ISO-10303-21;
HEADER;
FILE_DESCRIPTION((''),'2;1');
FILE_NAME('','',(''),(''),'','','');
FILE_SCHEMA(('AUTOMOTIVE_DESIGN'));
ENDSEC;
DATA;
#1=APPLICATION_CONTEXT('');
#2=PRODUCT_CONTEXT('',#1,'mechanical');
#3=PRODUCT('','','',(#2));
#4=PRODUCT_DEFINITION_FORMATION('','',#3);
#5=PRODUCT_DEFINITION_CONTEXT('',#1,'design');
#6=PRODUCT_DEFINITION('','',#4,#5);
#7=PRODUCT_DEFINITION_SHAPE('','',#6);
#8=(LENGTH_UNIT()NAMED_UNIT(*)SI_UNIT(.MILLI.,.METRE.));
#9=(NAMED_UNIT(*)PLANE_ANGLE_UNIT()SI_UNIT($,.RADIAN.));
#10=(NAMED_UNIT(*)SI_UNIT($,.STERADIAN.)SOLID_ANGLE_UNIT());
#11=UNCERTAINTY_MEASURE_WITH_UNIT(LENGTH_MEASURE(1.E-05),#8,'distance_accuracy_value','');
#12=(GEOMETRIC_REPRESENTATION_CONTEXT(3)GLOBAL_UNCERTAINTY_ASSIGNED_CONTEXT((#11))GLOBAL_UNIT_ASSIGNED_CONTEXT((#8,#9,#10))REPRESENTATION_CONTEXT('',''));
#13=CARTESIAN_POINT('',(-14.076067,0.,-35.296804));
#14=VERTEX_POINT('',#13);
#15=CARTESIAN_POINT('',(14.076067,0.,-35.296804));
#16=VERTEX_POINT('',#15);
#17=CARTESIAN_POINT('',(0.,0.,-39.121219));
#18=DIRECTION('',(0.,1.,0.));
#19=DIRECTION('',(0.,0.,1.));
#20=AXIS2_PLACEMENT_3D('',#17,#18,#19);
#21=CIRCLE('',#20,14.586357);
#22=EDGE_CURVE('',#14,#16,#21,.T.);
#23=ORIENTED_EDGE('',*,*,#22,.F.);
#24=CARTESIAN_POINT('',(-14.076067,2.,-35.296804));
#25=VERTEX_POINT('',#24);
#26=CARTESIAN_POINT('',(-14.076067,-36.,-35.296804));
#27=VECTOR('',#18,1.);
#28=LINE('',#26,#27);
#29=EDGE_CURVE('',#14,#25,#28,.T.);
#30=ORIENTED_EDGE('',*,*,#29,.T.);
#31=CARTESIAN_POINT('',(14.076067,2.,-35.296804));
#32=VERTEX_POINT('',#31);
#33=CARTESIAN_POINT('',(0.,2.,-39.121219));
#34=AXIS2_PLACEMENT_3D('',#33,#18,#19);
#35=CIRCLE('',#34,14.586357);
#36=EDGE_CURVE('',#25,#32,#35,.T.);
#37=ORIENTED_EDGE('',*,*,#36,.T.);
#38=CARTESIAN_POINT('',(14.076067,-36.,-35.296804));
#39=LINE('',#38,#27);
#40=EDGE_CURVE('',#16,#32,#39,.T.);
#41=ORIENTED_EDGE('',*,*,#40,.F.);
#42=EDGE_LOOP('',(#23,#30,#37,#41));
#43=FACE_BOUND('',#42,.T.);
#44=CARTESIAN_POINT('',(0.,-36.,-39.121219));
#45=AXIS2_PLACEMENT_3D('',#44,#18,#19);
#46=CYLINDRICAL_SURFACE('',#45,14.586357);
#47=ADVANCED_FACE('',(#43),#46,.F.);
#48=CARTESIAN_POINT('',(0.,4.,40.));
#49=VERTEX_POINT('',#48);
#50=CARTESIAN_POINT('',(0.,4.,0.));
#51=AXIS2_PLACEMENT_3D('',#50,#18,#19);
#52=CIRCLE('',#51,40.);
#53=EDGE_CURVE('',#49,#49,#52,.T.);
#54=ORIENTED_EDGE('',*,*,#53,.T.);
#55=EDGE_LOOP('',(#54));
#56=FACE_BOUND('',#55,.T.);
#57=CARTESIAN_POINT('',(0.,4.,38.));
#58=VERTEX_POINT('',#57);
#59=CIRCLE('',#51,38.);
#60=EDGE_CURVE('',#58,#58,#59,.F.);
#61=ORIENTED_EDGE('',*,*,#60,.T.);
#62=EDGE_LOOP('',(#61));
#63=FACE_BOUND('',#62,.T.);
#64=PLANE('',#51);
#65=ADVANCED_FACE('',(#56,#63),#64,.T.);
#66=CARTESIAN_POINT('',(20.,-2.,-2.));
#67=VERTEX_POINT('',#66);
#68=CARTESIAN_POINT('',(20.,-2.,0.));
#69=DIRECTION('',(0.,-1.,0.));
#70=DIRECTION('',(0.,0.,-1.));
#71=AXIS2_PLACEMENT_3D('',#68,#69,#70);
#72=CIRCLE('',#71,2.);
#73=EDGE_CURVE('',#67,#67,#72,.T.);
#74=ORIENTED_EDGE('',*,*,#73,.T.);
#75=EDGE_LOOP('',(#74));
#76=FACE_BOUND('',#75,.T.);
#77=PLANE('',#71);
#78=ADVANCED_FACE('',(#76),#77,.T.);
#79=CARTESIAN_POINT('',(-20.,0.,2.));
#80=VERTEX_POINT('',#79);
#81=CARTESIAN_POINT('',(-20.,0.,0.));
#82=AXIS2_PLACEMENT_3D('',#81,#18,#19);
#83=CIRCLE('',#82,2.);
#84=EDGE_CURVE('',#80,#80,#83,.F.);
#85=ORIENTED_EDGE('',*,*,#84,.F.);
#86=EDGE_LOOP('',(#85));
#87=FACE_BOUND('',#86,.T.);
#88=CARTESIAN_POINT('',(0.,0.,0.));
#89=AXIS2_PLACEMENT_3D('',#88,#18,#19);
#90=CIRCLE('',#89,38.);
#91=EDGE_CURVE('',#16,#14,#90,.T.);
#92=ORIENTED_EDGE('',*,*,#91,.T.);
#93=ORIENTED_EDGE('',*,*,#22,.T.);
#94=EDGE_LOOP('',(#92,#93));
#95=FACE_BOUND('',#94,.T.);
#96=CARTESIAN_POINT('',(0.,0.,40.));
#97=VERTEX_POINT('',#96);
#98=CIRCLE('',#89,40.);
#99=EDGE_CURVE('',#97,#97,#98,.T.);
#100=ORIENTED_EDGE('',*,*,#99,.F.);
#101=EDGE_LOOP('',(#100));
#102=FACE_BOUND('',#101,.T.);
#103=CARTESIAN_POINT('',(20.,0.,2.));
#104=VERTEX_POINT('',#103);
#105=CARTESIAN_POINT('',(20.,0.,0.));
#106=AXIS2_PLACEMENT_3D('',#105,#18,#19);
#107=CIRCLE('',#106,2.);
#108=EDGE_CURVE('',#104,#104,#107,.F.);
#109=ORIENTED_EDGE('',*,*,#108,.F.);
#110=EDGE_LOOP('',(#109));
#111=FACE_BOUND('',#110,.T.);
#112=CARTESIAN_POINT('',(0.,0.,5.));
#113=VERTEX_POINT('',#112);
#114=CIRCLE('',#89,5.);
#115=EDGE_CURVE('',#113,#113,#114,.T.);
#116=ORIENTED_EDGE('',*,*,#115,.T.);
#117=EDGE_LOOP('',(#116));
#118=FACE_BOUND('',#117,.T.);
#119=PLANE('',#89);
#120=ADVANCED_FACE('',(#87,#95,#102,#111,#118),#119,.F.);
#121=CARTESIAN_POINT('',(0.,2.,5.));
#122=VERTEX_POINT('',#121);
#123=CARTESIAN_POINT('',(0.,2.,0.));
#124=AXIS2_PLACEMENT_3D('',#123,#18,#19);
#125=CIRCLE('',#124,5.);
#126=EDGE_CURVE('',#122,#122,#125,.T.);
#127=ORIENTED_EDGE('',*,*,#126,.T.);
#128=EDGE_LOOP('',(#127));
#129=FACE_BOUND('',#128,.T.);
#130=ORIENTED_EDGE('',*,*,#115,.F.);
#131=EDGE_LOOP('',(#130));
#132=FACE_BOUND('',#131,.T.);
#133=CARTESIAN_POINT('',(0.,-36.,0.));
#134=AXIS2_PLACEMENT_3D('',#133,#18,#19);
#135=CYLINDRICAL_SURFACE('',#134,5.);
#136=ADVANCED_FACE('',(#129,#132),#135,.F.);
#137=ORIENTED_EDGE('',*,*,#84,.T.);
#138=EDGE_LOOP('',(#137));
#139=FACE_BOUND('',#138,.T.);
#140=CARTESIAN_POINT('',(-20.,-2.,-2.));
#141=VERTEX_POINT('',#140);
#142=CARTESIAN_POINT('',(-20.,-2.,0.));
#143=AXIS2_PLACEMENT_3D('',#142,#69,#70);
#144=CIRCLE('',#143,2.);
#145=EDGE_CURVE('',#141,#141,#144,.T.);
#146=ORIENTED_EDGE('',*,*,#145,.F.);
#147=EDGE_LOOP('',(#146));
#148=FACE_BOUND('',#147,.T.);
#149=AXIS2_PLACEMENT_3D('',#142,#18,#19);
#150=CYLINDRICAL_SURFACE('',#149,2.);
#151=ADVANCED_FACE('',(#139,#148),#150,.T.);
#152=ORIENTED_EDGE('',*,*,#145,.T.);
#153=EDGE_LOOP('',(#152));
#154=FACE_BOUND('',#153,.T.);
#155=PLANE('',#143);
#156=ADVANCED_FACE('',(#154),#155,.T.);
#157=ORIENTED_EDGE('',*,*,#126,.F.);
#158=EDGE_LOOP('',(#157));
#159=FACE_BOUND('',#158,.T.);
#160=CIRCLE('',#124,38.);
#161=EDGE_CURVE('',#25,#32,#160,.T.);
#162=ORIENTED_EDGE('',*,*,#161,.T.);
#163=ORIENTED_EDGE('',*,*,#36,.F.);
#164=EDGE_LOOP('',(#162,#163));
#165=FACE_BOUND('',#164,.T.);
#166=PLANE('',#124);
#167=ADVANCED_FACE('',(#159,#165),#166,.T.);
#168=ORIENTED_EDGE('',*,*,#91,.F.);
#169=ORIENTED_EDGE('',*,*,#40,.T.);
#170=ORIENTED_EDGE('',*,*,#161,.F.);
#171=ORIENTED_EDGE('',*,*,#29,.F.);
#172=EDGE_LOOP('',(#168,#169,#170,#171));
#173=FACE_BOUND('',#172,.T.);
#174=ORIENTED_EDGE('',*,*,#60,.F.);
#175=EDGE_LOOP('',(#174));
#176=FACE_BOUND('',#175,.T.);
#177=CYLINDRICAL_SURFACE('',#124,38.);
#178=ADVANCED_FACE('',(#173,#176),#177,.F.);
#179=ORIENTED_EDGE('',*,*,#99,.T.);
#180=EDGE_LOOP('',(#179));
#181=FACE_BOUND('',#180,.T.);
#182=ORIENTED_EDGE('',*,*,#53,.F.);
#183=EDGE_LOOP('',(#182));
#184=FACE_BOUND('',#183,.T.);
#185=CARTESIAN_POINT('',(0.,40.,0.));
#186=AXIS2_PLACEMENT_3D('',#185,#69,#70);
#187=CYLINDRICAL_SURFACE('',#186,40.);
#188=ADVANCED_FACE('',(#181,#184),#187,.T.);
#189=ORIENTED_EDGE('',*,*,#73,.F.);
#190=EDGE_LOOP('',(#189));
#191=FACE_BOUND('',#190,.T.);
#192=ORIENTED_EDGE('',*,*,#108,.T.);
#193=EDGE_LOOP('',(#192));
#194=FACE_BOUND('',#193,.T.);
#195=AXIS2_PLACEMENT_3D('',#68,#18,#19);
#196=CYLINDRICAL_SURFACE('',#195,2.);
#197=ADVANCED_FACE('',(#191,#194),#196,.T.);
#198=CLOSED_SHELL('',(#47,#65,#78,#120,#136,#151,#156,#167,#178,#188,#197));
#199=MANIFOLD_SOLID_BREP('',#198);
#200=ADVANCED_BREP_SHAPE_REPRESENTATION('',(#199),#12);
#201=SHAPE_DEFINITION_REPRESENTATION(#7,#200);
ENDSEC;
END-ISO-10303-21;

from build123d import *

# Parameters (mm, degrees)
SKETCH1_R           = 40
BOSS_EXTRUDE1_DEPTH = 40
SKETCH2_R           = 38
CUT_EXTRUDE1_DEPTH  = 38
CUT_EXTRUDE2_DEPTH  = 38
SKETCH4_R           = 5
CUT_EXTRUDE3_DEPTH  = 38
SKETCH6_R           = 2
BOSS_EXTRUDE2_DEPTH = 2
SKETCH8_R           = 43.496918112
CUT_EXTRUDE4_DEPTH  = 36


with BuildPart() as part:
    # Sketch1 → Boss-Extrude1 (new body)
    with BuildSketch(Plane(origin=(0, 0, 0), x_dir=(1, 0, 0), z_dir=(0, 1, 0))):
        with Locations(Location((0, 0, 0), (0, 0, 270))):
            Circle(SKETCH1_R)
    extrude(amount=BOSS_EXTRUDE1_DEPTH)

    # Sketch2 → Cut-Extrude1 (cut)
    with BuildSketch(Plane(origin=(0, 40, 0), x_dir=(1, 0, 0), z_dir=(0, 1, 0))):
        with Locations(Location((0, 0, 0), (0, 0, 270))):
            Circle(SKETCH2_R)
    extrude(amount=-CUT_EXTRUDE1_DEPTH, mode=Mode.SUBTRACT)

    # Sketch3 → Cut-Extrude2 (cut)
    with BuildSketch(Plane(origin=(0, 2, 0), x_dir=(1, 0, 0), z_dir=(0, 1, 0))):
        with BuildLine():
            ThreePointArc((-14.076066703, 35.296803626), (0, 24.534862453), (14.076066703, 35.296803626))
            ThreePointArc((14.076066703, 35.296803626), (0, 38), (-14.076066703, 35.296803626))
        make_face()
    extrude(amount=-CUT_EXTRUDE2_DEPTH, mode=Mode.SUBTRACT)

    # Sketch4 → Cut-Extrude3 (cut)
    with BuildSketch(Plane(origin=(0, 2, 0), x_dir=(1, 0, 0), z_dir=(0, 1, 0))):
        with Locations(Location((0, 0, 0), (0, 0, 270))):
            Circle(SKETCH4_R)
    extrude(amount=-CUT_EXTRUDE3_DEPTH, mode=Mode.SUBTRACT)

    # Sketch6 → Boss-Extrude2 (add)
    with BuildSketch(Plane.XZ):
        with Locations(Location((-20, 0, 0), (0, 0, 90))):
            Circle(SKETCH6_R)
        with Locations(Location((20, 0, 0), (0, 0, 90))):
            Circle(SKETCH6_R)
    extrude(amount=BOSS_EXTRUDE2_DEPTH)

    # Sketch8 → Cut-Extrude4 (cut)
    with BuildSketch(Plane(origin=(0, 40, 0), x_dir=(1, 0, 0), z_dir=(0, 1, 0))):
        Circle(SKETCH8_R)
    extrude(amount=-CUT_EXTRUDE4_DEPTH, mode=Mode.SUBTRACT)


solid = part.part
